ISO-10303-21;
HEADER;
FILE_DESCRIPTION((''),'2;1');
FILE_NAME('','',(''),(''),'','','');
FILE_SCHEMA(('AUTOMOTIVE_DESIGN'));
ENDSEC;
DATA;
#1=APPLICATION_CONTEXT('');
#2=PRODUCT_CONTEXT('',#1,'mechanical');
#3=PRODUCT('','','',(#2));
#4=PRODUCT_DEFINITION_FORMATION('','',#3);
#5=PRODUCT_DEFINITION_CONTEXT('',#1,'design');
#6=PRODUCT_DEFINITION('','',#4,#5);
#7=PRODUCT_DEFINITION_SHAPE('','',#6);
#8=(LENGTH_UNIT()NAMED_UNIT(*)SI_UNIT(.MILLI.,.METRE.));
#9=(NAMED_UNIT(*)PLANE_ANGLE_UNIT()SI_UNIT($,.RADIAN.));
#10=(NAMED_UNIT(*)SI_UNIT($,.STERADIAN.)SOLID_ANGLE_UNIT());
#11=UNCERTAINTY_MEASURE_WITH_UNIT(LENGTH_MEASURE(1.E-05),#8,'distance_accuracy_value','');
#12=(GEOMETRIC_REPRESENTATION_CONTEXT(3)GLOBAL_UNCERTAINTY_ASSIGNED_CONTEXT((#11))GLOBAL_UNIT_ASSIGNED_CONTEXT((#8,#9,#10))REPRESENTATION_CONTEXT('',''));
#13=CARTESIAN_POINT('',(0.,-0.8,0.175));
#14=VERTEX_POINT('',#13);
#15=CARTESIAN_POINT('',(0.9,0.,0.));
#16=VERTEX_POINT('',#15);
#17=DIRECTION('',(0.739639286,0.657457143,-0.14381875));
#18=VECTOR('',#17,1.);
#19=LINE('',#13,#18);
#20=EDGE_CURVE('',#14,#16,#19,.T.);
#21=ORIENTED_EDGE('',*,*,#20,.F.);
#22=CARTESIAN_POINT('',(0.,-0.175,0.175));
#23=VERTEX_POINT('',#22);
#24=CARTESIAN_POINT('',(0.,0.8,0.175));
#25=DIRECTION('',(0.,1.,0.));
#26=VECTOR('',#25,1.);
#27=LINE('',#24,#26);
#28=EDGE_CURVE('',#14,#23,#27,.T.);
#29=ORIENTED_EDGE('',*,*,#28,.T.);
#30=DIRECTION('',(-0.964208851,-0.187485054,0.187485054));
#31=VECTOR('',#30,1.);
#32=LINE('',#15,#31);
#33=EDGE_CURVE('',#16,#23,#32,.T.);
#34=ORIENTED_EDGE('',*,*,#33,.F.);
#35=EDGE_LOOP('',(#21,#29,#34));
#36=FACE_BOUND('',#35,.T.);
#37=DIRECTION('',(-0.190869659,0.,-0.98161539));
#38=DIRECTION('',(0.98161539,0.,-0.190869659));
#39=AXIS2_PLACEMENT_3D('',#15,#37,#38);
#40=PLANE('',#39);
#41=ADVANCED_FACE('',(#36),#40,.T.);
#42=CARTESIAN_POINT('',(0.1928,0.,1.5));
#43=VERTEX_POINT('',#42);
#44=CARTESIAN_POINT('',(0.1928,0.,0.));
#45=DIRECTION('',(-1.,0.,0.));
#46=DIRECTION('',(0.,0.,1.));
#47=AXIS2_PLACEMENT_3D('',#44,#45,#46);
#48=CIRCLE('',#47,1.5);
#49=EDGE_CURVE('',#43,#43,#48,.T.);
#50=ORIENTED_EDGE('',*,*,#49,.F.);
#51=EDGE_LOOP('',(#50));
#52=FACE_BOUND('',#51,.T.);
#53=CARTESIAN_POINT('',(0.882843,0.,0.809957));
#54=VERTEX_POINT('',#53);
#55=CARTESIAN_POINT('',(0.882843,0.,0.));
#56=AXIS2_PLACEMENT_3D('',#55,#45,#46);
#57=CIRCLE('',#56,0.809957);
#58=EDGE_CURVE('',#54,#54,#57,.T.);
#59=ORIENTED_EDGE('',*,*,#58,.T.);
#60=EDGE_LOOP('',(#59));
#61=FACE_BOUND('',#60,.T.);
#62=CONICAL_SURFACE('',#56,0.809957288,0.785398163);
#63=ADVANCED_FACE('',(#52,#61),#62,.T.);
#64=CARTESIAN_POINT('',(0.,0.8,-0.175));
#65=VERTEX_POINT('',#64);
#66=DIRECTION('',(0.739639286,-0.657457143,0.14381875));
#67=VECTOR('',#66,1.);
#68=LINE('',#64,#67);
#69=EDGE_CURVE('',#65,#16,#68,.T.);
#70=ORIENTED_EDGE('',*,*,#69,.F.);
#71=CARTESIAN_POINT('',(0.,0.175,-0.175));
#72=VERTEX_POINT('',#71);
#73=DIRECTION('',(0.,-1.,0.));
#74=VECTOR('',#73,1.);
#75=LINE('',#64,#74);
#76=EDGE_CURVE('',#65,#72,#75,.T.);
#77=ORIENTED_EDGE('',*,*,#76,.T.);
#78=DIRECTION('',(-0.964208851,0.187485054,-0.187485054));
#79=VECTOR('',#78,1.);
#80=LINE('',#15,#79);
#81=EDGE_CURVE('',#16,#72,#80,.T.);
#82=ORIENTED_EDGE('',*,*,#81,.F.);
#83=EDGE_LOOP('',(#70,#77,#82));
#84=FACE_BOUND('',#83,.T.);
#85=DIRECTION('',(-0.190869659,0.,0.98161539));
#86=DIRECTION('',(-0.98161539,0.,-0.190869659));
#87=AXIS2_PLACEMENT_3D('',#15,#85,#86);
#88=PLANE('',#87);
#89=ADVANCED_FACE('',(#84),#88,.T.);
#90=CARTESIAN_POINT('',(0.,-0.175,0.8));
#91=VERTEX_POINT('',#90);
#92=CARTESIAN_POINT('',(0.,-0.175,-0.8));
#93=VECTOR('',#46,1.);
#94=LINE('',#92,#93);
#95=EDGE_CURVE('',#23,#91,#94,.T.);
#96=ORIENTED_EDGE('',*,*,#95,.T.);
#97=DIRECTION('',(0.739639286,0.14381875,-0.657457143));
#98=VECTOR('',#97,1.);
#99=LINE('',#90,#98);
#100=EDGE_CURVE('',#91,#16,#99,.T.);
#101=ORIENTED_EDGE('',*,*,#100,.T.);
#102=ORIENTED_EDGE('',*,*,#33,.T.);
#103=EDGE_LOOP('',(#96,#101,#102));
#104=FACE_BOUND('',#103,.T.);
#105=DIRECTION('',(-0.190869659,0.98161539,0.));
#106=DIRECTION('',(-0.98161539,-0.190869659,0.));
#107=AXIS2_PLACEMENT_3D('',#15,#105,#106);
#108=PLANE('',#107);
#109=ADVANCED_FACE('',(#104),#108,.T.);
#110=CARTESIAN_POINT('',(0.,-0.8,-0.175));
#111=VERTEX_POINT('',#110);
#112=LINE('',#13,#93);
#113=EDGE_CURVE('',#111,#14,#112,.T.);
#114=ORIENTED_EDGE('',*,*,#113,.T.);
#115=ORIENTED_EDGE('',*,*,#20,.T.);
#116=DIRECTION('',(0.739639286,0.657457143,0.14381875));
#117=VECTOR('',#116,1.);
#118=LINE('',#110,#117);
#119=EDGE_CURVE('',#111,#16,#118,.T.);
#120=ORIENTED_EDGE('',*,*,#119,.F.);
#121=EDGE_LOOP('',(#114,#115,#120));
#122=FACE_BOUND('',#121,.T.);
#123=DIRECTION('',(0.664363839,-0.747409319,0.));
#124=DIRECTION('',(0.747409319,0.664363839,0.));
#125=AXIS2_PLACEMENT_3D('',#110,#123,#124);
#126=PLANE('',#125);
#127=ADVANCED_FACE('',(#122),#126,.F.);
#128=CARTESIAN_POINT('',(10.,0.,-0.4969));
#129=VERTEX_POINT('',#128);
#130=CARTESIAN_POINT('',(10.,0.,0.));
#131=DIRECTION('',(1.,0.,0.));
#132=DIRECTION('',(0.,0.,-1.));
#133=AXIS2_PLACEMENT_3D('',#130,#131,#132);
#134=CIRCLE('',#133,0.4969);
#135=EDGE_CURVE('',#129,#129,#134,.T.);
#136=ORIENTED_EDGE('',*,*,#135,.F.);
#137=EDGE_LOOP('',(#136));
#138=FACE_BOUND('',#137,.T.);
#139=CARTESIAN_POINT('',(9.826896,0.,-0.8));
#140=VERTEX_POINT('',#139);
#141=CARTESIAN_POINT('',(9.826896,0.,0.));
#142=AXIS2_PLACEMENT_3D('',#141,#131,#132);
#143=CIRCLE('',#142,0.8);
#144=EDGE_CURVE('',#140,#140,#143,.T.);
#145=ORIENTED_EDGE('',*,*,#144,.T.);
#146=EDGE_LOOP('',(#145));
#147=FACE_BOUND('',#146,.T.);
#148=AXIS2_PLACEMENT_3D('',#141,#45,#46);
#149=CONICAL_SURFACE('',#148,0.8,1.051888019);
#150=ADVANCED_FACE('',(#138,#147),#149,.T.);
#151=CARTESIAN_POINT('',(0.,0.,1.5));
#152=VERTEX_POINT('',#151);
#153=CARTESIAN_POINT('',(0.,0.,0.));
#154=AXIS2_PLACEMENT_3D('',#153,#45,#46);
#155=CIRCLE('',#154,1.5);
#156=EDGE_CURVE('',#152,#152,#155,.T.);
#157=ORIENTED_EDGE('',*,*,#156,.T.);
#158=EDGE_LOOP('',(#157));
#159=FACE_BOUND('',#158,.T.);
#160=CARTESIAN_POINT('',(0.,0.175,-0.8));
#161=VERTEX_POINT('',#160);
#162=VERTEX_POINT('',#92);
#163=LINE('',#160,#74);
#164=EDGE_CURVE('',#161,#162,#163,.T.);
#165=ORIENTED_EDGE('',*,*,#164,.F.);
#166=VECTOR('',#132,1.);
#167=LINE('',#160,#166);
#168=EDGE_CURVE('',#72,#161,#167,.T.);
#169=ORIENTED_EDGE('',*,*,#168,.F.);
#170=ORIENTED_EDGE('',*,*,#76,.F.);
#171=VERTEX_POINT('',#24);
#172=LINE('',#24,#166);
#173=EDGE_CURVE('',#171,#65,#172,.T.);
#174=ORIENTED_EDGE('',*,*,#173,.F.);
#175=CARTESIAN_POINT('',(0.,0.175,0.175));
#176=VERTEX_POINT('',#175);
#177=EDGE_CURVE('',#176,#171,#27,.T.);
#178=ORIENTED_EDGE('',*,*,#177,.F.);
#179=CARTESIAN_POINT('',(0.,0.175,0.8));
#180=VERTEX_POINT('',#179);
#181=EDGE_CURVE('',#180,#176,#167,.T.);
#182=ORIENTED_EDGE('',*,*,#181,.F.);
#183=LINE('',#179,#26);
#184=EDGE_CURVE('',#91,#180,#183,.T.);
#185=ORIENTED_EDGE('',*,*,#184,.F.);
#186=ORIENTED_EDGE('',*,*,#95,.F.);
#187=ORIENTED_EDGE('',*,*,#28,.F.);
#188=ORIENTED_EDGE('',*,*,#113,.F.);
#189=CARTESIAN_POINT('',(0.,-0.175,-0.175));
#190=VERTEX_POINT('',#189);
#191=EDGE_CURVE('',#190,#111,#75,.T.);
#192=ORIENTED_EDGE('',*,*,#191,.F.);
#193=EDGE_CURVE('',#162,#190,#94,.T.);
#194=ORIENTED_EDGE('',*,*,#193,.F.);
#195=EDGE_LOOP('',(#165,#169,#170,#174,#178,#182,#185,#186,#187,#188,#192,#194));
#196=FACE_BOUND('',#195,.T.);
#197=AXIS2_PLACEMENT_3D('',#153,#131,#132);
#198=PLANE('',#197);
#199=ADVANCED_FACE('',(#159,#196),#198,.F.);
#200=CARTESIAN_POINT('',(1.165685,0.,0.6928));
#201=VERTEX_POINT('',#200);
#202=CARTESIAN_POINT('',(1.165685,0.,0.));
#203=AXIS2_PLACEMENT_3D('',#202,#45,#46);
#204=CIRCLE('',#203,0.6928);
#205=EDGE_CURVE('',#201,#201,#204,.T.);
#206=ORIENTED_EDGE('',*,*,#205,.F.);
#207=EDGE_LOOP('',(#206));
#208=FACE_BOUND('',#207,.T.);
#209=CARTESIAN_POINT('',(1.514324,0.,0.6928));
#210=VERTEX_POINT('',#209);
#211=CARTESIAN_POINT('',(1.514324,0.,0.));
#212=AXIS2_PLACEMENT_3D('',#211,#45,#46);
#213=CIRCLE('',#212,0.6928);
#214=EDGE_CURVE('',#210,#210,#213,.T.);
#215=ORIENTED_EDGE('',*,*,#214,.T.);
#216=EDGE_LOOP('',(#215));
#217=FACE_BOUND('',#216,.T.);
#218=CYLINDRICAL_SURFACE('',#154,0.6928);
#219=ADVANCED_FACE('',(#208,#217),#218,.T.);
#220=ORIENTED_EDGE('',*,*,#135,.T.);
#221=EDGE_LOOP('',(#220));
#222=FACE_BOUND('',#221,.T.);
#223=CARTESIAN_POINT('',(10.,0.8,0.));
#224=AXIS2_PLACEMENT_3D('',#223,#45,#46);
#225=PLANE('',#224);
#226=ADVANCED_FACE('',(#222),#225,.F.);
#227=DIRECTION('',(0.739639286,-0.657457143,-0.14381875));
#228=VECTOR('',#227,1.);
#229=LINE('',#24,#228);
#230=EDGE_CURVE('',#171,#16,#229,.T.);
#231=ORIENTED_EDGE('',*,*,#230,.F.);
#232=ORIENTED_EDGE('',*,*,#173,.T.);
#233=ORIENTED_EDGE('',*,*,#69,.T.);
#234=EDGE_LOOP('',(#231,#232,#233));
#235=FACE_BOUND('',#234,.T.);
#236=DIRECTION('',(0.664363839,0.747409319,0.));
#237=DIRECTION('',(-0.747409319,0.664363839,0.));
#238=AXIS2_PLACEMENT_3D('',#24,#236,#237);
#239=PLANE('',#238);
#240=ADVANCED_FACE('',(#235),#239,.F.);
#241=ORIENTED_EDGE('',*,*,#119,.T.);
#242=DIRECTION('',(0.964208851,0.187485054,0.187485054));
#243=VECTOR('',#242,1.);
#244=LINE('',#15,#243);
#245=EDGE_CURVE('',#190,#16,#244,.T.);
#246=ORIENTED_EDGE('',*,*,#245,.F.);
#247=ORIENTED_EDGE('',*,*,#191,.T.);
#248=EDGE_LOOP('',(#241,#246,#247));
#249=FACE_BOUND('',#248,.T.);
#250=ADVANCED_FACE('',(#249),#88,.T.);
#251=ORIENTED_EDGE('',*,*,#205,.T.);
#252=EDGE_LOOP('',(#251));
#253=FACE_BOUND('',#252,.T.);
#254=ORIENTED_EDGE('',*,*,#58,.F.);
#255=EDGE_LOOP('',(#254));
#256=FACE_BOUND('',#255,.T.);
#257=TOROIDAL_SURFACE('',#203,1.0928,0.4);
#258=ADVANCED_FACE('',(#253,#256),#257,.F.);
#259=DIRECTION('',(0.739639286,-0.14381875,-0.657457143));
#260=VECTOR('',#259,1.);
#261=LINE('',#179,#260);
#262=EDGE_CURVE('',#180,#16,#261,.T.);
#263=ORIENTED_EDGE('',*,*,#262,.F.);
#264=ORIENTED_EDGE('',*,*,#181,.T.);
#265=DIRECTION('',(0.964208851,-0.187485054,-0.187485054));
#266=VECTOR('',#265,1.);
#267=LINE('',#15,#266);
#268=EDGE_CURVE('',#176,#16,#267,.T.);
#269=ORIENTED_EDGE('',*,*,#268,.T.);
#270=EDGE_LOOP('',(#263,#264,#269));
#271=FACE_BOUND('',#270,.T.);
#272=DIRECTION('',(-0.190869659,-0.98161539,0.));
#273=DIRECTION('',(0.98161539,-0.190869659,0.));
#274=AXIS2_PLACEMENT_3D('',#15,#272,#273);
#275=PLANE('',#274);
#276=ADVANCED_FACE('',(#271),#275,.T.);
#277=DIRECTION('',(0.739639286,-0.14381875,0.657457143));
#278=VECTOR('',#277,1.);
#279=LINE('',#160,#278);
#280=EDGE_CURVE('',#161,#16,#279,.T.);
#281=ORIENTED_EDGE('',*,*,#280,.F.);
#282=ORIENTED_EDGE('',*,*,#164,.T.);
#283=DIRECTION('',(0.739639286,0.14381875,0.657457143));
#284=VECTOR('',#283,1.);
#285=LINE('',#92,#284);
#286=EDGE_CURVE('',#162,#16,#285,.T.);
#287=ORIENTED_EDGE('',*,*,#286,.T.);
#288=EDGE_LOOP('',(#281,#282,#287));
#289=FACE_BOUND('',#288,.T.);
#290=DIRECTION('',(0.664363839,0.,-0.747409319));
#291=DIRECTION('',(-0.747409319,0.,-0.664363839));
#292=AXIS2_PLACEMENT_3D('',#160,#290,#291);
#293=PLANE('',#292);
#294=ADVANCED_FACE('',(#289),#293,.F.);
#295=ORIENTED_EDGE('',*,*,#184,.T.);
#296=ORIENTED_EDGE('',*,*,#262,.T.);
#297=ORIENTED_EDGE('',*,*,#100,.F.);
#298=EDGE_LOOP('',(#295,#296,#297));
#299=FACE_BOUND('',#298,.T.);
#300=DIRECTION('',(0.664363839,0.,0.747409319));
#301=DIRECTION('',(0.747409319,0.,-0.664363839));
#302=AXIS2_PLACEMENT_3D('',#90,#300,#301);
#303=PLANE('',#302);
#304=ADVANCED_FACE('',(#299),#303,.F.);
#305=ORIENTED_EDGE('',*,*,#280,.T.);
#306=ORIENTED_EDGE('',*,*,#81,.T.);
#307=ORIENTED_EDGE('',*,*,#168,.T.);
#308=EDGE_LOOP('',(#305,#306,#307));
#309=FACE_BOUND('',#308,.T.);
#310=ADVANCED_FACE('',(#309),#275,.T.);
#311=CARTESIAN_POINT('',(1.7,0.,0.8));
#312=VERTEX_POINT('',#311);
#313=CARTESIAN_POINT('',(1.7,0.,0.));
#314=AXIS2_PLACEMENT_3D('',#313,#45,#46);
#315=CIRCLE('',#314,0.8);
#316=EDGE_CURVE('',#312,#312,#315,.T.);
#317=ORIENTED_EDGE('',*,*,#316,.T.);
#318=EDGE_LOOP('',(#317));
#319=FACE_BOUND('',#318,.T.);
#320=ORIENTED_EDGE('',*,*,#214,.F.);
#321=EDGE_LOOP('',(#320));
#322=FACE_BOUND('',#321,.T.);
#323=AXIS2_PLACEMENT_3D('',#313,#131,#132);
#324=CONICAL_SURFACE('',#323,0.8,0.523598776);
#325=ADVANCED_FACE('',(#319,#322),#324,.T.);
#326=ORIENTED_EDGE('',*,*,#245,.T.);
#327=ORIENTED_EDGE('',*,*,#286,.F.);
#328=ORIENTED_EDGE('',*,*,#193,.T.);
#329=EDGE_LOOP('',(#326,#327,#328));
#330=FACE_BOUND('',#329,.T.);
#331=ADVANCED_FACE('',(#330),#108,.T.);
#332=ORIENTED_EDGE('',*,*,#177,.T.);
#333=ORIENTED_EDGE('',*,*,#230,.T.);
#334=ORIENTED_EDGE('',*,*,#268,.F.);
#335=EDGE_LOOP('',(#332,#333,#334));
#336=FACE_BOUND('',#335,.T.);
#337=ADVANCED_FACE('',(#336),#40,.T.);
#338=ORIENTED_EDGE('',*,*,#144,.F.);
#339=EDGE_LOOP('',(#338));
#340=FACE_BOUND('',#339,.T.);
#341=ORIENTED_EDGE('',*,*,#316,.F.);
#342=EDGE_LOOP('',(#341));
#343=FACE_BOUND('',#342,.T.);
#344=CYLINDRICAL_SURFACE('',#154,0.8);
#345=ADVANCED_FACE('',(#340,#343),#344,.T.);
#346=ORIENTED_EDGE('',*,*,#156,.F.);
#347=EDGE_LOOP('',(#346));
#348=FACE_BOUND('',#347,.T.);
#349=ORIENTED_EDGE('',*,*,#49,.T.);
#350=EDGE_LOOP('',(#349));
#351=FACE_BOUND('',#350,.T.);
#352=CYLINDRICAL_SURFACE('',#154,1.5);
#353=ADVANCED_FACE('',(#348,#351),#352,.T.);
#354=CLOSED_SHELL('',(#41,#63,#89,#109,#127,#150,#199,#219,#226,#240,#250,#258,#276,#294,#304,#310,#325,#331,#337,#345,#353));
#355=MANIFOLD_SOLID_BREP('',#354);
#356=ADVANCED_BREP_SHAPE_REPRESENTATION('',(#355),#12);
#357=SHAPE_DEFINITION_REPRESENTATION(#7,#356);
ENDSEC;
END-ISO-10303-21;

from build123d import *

# Parameters (mm, degrees)
PATTERN_CIRCULAR_1_COUNT = 2
PATTERN_CIRCULAR_1_ANGLE = 90


with BuildPart() as part:
    # 草图1 → Revolve 694 (revolve)
    with BuildSketch(Plane.XY, mode=Mode.PRIVATE) as revolve_694_sk:
        with BuildLine():
            Line((0, 0), (0, 1.5))
            Line((0, 1.5), (0.1928, 1.5))
            Line((0.1928, 1.5), (0.882842712, 0.809957288))
            ThreePointArc((0.882842712, 0.809957288), (1.012612052, 0.723248187), (1.165685425, 0.6928))
            Line((1.165685425, 0.6928), (1.514324153, 0.6928))
            Line((1.514324153, 0.6928), (1.7, 0.8))
            Line((1.7, 0.8), (10, 0.8))
            Line((10, 0.8), (10, 0))
            Line((10, 0), (0, 0))
        make_face()
    revolve(revolve_694_sk.sketch.rotate(Axis((0, 0, 0), (1, 0, 0)), 90), axis=Axis((0, 0, 0), (1, 0, 0)))

    # 草图2 → 切除-旋转1 (revolve, cut)
    with BuildSketch(Plane.XY, mode=Mode.PRIVATE) as cut_revolve_1_sk:
        Polygon((9.826895602, 0.8), (10.176895602, 0.8), (10, 0.4969), align=None)
    revolve(cut_revolve_1_sk.sketch.rotate(Axis((0, 0, 0), (-1, 0, 0)), 270), axis=Axis((0, 0, 0), (-1, 0, 0)), mode=Mode.SUBTRACT)

    # 草图3 → 切除-放样1 section 0
    with BuildSketch(Plane.ZY, mode=Mode.PRIVATE) as loft_1_s0:
        with BuildLine():
            Line((-0.8, 0.175), (0.8, 0.175))
            Line((0.8, 0.175), (0.8, -0.175))
            Line((0.8, -0.175), (-0.8, -0.175))
            Line((-0.8, -0.175), (-0.8, 0.175))
        make_face()
    loft_1 = loft([loft_1_s0.sketch, Vertex(0.9, 0, 0)], mode=Mode.SUBTRACT)

    # 阵列(圆周)1: 切除-放样1 ×2 about axis
    pattern_circular_1_axis = Axis((0, 0, 0), (1, 0, 0))
    for i in range(1, PATTERN_CIRCULAR_1_COUNT):
        add(loft_1.rotate(pattern_circular_1_axis, i * PATTERN_CIRCULAR_1_ANGLE / (PATTERN_CIRCULAR_1_COUNT - 1)), mode=Mode.SUBTRACT)


solid = part.part
